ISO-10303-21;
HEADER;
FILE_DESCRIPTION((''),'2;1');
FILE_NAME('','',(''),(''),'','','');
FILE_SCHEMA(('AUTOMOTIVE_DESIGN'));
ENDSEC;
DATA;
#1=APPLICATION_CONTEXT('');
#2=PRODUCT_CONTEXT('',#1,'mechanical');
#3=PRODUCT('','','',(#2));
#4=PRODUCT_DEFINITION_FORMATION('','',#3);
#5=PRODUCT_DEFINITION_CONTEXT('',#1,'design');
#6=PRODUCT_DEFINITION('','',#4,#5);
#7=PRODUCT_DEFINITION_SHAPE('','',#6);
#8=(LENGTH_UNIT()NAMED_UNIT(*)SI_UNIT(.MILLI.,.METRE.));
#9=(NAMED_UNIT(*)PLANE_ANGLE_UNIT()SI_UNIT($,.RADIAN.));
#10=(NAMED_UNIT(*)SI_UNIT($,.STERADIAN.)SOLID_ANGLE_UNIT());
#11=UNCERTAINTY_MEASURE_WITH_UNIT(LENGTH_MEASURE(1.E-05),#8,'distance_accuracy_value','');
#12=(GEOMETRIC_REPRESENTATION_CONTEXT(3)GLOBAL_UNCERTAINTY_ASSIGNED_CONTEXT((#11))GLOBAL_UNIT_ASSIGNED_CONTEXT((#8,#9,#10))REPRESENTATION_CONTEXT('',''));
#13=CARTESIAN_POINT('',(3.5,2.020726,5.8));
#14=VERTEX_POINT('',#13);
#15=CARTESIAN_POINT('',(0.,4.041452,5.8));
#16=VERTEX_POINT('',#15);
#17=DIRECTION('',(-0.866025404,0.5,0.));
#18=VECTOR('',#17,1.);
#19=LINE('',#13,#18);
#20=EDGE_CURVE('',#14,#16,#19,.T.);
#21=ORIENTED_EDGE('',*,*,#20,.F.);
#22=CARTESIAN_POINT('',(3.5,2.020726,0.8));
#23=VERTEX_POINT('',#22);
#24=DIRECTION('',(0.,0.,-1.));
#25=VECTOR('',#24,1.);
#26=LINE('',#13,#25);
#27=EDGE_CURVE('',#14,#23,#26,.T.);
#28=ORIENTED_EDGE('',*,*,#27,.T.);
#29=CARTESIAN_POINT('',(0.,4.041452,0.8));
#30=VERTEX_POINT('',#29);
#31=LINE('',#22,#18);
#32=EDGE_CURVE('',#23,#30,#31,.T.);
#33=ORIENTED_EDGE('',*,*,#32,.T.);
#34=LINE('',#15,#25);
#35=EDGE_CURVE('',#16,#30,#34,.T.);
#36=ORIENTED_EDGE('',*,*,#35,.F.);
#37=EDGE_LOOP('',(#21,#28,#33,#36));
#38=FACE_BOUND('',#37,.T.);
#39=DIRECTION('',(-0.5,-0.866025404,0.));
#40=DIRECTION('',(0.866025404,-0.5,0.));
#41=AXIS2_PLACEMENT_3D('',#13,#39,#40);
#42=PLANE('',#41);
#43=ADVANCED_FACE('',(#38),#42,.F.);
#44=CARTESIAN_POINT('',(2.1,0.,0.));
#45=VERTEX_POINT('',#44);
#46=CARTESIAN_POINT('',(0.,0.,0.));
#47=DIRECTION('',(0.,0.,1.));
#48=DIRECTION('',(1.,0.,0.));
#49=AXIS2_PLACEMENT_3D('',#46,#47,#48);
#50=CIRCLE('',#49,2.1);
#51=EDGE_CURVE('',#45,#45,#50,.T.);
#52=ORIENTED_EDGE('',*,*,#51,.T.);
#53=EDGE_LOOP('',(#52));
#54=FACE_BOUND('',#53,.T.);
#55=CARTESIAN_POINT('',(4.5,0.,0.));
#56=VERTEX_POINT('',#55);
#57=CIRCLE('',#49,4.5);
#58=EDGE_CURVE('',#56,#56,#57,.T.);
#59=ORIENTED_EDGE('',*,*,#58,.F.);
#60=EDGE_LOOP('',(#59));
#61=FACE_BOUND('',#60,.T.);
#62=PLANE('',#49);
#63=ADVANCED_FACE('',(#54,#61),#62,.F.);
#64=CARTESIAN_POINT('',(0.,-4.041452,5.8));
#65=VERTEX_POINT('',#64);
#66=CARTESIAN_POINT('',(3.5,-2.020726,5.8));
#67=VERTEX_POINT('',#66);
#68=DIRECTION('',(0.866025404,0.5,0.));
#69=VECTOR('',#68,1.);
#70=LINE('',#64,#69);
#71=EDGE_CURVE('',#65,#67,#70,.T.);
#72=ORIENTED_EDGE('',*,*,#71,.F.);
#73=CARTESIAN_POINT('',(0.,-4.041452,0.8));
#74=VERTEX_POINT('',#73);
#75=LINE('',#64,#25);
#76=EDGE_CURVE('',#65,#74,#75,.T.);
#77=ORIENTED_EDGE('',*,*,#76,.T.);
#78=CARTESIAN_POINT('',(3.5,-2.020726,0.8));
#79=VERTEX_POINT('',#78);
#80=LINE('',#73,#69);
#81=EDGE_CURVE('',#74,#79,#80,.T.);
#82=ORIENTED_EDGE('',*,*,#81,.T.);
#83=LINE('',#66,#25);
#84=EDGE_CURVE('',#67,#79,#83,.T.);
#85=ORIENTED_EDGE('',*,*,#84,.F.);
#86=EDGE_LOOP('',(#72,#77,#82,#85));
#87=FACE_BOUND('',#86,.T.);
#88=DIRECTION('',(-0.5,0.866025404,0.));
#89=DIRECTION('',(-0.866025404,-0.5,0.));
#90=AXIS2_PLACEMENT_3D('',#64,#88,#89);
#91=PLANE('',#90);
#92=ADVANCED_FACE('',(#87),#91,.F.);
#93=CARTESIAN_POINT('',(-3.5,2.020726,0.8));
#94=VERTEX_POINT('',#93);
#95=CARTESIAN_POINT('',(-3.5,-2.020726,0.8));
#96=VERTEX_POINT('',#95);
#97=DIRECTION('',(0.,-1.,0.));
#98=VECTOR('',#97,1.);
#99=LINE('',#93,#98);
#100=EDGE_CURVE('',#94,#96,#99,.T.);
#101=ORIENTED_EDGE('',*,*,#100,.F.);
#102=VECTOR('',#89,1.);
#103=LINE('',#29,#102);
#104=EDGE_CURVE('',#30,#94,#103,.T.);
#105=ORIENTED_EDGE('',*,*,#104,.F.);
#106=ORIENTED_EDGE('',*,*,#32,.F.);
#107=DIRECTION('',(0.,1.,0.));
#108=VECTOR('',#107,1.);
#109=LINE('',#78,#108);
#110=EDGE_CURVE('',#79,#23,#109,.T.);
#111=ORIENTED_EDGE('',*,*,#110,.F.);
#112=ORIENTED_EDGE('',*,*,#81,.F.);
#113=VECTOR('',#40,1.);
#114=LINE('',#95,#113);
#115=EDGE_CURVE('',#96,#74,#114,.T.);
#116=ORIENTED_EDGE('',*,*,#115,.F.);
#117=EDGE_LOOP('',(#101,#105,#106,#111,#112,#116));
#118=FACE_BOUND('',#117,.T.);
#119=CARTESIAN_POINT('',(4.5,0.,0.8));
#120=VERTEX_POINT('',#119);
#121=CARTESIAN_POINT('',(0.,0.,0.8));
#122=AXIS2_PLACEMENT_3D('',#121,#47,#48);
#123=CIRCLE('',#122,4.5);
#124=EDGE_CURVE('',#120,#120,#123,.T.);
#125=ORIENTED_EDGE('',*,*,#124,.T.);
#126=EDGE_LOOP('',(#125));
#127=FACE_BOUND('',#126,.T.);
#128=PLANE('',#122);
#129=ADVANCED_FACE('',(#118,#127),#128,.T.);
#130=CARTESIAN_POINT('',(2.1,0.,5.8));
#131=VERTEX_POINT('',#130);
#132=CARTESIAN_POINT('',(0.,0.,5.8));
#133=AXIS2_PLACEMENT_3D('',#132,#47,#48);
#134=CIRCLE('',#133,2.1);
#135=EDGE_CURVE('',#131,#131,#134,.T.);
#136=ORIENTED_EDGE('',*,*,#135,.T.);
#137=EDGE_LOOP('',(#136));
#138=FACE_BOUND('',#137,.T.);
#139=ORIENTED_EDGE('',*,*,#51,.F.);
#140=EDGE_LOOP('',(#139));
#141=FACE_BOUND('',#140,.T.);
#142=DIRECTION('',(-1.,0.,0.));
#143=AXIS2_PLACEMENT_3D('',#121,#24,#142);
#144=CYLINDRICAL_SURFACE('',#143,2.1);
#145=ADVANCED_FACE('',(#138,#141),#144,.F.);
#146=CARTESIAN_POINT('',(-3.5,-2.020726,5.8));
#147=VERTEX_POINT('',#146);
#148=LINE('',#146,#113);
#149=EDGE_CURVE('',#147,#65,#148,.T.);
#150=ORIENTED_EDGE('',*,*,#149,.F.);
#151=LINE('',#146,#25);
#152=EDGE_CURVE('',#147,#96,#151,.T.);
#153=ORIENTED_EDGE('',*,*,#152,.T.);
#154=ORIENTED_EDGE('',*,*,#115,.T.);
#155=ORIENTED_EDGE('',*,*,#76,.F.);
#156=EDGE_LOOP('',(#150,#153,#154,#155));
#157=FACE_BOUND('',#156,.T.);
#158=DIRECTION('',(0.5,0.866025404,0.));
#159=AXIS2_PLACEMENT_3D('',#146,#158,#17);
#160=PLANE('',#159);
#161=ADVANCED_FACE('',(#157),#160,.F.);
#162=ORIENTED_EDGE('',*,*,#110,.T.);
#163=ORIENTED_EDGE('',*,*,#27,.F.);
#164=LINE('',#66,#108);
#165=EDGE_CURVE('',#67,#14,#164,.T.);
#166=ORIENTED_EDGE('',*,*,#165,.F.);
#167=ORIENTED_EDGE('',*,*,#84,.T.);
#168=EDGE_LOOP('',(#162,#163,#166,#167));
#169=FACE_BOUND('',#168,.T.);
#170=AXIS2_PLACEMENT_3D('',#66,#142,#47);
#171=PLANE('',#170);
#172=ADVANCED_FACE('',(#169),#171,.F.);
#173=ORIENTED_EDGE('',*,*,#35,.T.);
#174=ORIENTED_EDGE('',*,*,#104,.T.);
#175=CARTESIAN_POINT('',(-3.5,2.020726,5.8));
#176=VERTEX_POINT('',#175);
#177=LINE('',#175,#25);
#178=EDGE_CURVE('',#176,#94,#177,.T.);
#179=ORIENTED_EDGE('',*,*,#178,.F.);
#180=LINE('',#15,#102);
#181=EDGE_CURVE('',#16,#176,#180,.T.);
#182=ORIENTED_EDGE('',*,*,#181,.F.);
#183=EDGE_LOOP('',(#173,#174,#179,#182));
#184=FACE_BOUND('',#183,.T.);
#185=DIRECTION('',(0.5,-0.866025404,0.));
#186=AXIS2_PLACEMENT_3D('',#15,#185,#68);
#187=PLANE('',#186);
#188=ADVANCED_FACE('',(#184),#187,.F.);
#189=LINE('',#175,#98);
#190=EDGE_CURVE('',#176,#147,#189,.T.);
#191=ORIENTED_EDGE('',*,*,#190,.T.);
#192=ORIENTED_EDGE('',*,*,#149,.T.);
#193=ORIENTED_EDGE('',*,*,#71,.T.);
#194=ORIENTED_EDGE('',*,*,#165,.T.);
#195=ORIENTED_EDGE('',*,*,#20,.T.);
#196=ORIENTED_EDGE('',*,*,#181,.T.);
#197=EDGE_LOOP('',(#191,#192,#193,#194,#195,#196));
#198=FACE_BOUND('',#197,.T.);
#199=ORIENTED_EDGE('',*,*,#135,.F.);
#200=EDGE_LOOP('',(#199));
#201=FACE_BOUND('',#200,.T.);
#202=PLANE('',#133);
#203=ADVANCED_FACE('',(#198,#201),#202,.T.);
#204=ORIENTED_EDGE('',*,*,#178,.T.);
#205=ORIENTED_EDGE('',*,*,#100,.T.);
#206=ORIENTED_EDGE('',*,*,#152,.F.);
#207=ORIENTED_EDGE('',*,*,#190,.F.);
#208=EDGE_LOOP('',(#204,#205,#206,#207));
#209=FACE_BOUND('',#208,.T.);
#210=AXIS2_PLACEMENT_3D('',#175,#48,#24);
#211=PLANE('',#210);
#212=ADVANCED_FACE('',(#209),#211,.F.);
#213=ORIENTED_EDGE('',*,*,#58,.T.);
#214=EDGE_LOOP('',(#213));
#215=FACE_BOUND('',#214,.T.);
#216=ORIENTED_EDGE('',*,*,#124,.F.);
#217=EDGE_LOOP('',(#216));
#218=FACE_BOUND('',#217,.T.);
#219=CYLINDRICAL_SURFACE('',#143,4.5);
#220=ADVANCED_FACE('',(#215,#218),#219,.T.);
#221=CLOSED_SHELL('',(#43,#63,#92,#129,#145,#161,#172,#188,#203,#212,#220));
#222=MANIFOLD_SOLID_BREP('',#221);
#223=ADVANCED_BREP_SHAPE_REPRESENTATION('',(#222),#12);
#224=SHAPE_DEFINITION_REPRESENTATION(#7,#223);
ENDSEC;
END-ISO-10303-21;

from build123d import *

# Parameters (mm, degrees)
M4_WASHER_ENVELOPE_PROFILE_R        = 4.5
M4_WASHER_ENVELOPE_PROFILE_R_2      = 2.1
M4_WASHER_ENVELOPE_DEPTH            = 0.8
M4_START                            = 0.8
M4_LOCKNUT_OUTER_ENVELOPE_PROFILE_R = 2.1
M4_LOCKNUT_OUTER_ENVELOPE_DEPTH     = 5


with BuildPart() as part:
    # M4 washer envelope profile → M4 washer envelope (new body)
    with BuildSketch(Plane.XY):
        Circle(M4_WASHER_ENVELOPE_PROFILE_R)
        Circle(M4_WASHER_ENVELOPE_PROFILE_R_2, mode=Mode.SUBTRACT)
    extrude(amount=M4_WASHER_ENVELOPE_DEPTH)

    # M4 locknut outer envelope profile → M4 locknut outer envelope (add)
    with BuildSketch(Plane.XY.offset(M4_START)):
        Polygon((3.5, 2.020725942), (0, 4.041451884), (-3.5, 2.020725942), (-3.5, -2.020725942), (0, -4.041451884), (3.5, -2.020725942), align=None)
        Circle(M4_LOCKNUT_OUTER_ENVELOPE_PROFILE_R, mode=Mode.SUBTRACT)
    extrude(amount=M4_LOCKNUT_OUTER_ENVELOPE_DEPTH)


solid = part.part
